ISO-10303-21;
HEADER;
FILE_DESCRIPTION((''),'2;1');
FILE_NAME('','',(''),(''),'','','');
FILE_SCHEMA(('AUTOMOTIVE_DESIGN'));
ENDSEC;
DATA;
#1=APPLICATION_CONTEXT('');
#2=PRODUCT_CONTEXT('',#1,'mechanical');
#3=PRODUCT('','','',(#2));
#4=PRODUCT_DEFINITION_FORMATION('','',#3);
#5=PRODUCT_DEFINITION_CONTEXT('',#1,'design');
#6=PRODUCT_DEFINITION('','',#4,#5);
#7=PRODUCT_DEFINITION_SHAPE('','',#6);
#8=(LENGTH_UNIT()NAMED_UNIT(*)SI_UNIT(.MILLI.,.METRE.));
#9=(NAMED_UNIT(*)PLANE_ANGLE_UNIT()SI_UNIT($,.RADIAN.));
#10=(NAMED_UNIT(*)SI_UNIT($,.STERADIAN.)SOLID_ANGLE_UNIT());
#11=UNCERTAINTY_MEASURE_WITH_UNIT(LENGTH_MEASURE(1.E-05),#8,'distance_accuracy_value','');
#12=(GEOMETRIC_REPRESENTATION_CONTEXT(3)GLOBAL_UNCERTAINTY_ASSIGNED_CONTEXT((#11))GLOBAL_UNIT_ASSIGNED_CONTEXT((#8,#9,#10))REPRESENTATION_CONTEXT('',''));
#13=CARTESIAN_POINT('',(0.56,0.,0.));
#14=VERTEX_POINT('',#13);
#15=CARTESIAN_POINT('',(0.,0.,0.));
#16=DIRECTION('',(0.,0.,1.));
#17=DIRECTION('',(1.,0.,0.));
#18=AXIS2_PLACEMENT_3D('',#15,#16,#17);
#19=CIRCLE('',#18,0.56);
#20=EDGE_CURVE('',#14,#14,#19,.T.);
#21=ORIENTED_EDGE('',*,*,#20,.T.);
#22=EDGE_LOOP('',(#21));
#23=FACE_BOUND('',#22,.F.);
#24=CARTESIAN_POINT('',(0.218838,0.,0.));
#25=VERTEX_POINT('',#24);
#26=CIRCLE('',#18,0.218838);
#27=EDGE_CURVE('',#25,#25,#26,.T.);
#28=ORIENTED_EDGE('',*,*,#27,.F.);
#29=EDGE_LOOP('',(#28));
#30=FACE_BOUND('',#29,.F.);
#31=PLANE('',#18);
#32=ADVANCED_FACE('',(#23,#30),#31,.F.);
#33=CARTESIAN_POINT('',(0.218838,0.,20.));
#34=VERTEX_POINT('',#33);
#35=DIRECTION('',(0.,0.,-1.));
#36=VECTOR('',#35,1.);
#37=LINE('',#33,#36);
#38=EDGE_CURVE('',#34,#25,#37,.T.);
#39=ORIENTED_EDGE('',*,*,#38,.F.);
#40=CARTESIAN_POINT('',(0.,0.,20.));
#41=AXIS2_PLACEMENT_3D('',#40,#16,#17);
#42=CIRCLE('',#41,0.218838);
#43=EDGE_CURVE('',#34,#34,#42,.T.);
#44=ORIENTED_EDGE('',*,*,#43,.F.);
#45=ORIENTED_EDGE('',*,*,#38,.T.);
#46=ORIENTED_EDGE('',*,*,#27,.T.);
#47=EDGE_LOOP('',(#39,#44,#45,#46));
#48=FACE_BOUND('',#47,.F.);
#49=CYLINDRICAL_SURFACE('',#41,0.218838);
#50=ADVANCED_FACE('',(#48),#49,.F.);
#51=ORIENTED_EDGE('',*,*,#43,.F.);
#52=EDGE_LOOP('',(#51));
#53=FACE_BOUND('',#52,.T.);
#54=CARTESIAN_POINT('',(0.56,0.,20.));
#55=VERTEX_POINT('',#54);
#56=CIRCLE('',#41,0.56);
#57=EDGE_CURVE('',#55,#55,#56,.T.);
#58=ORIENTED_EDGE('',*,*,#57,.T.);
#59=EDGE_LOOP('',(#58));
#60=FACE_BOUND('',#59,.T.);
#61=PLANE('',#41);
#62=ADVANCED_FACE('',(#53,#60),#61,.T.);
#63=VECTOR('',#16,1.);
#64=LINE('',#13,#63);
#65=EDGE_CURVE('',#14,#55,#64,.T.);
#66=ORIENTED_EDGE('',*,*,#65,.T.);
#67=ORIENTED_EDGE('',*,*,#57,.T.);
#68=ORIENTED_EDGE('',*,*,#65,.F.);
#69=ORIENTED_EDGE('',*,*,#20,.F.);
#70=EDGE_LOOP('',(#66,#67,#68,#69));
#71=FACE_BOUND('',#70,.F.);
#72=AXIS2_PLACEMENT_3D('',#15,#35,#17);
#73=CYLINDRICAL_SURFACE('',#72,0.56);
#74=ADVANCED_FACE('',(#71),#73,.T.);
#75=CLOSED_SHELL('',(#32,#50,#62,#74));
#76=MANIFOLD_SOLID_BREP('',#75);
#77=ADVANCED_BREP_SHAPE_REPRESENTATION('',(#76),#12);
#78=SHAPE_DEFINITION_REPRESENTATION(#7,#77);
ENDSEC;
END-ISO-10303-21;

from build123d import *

# Parameters (mm, degrees)
CYLINDER_R     = 0.56
CYLINDER_DEPTH = 20
SKETCH_R       = 0.218838
POCKET_DEPTH   = 20.001


with BuildPart() as part:
    # Cylinder → Cylinder (join)
    with BuildSketch(Plane.XY):
        Circle(CYLINDER_R)
    extrude(amount=CYLINDER_DEPTH)

    # Sketch (on Face3 of Cylinder) → Pocket (cut, through all)
    with BuildSketch(Plane.XY.offset(20)):
        Circle(SKETCH_R)
    extrude(amount=-POCKET_DEPTH, mode=Mode.SUBTRACT)


solid = part.part
